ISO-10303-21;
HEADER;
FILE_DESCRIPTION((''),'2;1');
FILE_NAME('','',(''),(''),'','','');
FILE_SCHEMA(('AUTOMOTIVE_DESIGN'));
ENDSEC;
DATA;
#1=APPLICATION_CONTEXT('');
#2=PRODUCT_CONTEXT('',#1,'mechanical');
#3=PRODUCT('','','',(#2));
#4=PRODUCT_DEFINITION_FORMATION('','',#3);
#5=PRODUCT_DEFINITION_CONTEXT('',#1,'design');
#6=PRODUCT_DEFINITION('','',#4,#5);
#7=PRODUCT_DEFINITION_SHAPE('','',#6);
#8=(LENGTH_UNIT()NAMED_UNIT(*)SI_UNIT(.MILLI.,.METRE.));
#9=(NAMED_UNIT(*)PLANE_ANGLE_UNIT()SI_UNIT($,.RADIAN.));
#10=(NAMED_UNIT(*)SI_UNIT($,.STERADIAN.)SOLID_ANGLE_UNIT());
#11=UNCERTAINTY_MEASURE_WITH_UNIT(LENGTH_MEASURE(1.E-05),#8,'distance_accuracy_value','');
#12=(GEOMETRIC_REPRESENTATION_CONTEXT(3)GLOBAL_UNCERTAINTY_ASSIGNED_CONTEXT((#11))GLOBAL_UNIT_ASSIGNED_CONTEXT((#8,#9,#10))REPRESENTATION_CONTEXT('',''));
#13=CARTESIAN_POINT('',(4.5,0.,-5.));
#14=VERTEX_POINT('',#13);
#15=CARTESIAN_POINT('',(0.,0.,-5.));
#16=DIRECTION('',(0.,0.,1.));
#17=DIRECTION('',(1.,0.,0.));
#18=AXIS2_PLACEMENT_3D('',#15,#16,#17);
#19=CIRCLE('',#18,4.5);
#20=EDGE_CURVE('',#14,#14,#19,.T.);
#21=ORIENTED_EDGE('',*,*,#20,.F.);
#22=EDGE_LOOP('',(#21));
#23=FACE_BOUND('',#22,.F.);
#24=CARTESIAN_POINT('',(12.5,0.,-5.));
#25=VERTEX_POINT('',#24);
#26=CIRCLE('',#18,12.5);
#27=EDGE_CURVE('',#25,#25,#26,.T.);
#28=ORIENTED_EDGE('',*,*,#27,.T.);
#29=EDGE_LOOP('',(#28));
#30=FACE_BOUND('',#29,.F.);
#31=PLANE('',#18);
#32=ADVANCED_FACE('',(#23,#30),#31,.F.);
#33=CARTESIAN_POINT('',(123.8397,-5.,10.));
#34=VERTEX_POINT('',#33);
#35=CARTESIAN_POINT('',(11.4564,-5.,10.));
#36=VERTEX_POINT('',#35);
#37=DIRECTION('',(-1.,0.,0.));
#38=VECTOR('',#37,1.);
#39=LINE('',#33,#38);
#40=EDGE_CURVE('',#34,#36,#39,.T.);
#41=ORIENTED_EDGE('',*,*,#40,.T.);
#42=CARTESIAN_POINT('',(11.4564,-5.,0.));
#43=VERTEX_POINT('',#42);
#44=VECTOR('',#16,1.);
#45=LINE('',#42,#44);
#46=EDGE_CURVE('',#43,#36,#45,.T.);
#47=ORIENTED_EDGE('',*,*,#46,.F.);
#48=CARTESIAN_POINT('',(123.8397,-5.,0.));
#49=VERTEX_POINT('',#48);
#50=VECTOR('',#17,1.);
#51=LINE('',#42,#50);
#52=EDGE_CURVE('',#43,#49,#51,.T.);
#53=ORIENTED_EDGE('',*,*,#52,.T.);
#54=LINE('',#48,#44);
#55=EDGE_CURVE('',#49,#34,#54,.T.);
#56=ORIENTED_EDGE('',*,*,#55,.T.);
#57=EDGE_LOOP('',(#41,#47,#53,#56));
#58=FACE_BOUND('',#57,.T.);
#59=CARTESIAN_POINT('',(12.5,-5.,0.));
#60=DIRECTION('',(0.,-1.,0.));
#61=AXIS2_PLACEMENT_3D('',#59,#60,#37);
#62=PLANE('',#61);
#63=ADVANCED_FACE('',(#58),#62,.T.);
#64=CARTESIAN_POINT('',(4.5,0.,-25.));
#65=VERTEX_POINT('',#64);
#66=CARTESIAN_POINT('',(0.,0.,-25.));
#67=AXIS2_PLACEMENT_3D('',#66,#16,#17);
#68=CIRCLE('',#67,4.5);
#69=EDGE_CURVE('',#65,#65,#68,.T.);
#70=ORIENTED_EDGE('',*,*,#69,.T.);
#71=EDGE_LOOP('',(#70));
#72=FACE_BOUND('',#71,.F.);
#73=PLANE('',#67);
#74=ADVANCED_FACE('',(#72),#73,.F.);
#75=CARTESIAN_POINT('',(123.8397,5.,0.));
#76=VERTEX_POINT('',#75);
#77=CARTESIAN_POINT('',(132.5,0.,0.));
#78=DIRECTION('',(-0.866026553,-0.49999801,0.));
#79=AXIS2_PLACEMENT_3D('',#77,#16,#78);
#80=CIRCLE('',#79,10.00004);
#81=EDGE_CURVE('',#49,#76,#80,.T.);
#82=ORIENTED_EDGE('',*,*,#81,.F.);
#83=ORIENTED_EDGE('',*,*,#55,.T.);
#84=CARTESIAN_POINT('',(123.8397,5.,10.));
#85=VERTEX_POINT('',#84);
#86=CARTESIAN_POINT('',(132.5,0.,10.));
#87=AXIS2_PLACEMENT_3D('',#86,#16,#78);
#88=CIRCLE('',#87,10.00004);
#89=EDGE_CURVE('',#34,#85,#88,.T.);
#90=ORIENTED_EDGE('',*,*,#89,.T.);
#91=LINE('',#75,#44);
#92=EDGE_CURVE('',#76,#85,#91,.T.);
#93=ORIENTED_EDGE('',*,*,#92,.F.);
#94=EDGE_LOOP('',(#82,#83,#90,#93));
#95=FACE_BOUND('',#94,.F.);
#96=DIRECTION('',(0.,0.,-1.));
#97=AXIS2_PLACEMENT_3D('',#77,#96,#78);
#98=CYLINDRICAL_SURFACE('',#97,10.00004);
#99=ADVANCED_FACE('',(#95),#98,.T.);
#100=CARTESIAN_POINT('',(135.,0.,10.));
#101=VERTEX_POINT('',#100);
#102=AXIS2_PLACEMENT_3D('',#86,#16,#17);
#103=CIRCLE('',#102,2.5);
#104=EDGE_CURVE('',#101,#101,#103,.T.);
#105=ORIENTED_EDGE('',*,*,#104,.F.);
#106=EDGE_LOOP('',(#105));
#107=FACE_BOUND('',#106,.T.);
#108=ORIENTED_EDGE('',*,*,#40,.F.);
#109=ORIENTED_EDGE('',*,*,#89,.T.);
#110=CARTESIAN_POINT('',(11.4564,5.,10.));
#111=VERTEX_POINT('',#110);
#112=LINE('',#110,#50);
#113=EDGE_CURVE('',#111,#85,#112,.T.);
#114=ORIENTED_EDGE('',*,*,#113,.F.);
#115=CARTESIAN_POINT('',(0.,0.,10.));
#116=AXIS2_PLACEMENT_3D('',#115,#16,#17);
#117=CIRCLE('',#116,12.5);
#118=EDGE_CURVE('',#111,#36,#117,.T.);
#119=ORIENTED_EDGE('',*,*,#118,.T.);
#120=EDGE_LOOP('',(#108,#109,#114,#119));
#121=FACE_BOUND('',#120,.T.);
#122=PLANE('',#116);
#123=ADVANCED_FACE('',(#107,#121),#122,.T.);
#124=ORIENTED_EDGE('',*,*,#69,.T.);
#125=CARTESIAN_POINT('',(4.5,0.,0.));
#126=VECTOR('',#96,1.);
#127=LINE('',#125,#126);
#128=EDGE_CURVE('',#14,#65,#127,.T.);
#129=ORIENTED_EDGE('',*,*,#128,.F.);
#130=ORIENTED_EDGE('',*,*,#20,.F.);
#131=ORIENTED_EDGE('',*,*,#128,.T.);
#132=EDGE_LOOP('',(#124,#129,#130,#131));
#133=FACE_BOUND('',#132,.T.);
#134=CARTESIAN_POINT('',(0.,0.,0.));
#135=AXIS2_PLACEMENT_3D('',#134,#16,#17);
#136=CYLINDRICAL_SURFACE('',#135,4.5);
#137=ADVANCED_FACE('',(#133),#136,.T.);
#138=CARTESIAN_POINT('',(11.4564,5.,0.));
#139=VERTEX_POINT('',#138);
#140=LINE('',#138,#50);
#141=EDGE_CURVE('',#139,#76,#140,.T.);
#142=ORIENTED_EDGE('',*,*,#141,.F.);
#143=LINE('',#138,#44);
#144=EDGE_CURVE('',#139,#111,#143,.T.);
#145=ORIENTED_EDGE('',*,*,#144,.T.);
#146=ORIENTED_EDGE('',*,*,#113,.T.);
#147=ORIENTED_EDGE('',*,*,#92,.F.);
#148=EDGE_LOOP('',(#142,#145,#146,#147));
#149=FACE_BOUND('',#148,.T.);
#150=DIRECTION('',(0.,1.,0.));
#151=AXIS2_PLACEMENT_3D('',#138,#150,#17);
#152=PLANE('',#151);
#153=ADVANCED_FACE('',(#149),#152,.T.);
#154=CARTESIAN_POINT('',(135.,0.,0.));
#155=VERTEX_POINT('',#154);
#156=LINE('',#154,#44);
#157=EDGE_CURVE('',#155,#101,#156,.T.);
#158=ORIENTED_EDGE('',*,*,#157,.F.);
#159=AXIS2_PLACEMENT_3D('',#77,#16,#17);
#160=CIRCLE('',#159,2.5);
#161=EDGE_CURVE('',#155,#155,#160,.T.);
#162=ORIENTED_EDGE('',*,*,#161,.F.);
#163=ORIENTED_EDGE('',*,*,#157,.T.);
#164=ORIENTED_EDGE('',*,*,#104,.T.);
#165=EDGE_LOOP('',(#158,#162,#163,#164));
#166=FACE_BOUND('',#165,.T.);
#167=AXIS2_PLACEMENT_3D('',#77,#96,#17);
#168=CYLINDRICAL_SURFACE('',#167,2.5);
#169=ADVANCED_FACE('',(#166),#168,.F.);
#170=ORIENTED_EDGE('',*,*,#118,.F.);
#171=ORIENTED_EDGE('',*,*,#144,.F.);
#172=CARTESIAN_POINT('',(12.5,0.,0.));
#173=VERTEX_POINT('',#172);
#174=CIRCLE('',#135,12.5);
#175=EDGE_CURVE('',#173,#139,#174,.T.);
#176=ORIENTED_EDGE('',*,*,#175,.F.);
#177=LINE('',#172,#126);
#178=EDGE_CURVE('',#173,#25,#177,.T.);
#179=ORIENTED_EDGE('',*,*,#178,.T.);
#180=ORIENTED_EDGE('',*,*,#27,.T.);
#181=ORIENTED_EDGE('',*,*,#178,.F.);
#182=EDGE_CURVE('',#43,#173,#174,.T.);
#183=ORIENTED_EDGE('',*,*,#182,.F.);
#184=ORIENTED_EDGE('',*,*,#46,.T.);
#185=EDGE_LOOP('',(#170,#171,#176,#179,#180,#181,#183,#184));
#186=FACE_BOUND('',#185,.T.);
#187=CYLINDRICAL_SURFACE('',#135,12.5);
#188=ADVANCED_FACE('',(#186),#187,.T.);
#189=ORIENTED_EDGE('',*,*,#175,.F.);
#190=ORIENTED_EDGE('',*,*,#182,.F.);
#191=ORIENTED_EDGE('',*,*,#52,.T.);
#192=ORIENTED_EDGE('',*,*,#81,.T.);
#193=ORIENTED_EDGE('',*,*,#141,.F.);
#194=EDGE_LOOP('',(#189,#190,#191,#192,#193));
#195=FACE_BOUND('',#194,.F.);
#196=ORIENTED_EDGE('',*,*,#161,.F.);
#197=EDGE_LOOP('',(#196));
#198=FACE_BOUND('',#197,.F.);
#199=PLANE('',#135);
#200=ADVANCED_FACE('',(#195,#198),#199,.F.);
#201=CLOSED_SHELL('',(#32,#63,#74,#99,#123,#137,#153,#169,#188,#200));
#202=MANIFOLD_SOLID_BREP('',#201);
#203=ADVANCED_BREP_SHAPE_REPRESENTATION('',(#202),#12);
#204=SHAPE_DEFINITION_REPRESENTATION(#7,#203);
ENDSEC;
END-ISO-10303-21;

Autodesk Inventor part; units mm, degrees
ref_plane "YZ Plane" through (0, 0, 0) normal (1, 0, 0) x (0, 1, 0)
ref_plane "XZ Plane" through (0, 0, 0) normal (0, 1, 0) x (-1, 0, 0)
ref_plane "XY Plane" through (0, 0, 0) normal (0, 0, 1) x (1, 0, 0)
sketch "Sketch1" plane through (0, 0, 0) normal (0, 0, 1) x (1, 0, 0)
  circle A0 centre (0, 0) radius 12.5
  circle A1 centre (0, 0) radius 4.5
  arc A2 (123.8397, -5) -> (123.8397, 5) centre (132.5, 0) ccw
  line L0 (11.4564, 5) -> (123.8397, 5)
  line L1 (12.5, -5) -> (123.8397, -5)
  line L2 (12.5, -5) -> (11.4564, -5)
  circle A3 centre (132.5, 0) radius 2.5
  dimension "d0" = 25
  dimension "d1" = 9
  dimension "d3" = 20
  dimension "d6" = 5
extrude "Extrusion1" add sketch "Sketch1" along normal blind 10 contours A0 | A0 L0 A2 L1 L2 | A1
extrude "Extrusion2" add sketch "Sketch1" against normal blind 5 contours A0
extrude "Extrusion3" add sketch "Sketch1" against normal blind 25 contours A1
properties part number "Rod" material "ABS Plastic"
